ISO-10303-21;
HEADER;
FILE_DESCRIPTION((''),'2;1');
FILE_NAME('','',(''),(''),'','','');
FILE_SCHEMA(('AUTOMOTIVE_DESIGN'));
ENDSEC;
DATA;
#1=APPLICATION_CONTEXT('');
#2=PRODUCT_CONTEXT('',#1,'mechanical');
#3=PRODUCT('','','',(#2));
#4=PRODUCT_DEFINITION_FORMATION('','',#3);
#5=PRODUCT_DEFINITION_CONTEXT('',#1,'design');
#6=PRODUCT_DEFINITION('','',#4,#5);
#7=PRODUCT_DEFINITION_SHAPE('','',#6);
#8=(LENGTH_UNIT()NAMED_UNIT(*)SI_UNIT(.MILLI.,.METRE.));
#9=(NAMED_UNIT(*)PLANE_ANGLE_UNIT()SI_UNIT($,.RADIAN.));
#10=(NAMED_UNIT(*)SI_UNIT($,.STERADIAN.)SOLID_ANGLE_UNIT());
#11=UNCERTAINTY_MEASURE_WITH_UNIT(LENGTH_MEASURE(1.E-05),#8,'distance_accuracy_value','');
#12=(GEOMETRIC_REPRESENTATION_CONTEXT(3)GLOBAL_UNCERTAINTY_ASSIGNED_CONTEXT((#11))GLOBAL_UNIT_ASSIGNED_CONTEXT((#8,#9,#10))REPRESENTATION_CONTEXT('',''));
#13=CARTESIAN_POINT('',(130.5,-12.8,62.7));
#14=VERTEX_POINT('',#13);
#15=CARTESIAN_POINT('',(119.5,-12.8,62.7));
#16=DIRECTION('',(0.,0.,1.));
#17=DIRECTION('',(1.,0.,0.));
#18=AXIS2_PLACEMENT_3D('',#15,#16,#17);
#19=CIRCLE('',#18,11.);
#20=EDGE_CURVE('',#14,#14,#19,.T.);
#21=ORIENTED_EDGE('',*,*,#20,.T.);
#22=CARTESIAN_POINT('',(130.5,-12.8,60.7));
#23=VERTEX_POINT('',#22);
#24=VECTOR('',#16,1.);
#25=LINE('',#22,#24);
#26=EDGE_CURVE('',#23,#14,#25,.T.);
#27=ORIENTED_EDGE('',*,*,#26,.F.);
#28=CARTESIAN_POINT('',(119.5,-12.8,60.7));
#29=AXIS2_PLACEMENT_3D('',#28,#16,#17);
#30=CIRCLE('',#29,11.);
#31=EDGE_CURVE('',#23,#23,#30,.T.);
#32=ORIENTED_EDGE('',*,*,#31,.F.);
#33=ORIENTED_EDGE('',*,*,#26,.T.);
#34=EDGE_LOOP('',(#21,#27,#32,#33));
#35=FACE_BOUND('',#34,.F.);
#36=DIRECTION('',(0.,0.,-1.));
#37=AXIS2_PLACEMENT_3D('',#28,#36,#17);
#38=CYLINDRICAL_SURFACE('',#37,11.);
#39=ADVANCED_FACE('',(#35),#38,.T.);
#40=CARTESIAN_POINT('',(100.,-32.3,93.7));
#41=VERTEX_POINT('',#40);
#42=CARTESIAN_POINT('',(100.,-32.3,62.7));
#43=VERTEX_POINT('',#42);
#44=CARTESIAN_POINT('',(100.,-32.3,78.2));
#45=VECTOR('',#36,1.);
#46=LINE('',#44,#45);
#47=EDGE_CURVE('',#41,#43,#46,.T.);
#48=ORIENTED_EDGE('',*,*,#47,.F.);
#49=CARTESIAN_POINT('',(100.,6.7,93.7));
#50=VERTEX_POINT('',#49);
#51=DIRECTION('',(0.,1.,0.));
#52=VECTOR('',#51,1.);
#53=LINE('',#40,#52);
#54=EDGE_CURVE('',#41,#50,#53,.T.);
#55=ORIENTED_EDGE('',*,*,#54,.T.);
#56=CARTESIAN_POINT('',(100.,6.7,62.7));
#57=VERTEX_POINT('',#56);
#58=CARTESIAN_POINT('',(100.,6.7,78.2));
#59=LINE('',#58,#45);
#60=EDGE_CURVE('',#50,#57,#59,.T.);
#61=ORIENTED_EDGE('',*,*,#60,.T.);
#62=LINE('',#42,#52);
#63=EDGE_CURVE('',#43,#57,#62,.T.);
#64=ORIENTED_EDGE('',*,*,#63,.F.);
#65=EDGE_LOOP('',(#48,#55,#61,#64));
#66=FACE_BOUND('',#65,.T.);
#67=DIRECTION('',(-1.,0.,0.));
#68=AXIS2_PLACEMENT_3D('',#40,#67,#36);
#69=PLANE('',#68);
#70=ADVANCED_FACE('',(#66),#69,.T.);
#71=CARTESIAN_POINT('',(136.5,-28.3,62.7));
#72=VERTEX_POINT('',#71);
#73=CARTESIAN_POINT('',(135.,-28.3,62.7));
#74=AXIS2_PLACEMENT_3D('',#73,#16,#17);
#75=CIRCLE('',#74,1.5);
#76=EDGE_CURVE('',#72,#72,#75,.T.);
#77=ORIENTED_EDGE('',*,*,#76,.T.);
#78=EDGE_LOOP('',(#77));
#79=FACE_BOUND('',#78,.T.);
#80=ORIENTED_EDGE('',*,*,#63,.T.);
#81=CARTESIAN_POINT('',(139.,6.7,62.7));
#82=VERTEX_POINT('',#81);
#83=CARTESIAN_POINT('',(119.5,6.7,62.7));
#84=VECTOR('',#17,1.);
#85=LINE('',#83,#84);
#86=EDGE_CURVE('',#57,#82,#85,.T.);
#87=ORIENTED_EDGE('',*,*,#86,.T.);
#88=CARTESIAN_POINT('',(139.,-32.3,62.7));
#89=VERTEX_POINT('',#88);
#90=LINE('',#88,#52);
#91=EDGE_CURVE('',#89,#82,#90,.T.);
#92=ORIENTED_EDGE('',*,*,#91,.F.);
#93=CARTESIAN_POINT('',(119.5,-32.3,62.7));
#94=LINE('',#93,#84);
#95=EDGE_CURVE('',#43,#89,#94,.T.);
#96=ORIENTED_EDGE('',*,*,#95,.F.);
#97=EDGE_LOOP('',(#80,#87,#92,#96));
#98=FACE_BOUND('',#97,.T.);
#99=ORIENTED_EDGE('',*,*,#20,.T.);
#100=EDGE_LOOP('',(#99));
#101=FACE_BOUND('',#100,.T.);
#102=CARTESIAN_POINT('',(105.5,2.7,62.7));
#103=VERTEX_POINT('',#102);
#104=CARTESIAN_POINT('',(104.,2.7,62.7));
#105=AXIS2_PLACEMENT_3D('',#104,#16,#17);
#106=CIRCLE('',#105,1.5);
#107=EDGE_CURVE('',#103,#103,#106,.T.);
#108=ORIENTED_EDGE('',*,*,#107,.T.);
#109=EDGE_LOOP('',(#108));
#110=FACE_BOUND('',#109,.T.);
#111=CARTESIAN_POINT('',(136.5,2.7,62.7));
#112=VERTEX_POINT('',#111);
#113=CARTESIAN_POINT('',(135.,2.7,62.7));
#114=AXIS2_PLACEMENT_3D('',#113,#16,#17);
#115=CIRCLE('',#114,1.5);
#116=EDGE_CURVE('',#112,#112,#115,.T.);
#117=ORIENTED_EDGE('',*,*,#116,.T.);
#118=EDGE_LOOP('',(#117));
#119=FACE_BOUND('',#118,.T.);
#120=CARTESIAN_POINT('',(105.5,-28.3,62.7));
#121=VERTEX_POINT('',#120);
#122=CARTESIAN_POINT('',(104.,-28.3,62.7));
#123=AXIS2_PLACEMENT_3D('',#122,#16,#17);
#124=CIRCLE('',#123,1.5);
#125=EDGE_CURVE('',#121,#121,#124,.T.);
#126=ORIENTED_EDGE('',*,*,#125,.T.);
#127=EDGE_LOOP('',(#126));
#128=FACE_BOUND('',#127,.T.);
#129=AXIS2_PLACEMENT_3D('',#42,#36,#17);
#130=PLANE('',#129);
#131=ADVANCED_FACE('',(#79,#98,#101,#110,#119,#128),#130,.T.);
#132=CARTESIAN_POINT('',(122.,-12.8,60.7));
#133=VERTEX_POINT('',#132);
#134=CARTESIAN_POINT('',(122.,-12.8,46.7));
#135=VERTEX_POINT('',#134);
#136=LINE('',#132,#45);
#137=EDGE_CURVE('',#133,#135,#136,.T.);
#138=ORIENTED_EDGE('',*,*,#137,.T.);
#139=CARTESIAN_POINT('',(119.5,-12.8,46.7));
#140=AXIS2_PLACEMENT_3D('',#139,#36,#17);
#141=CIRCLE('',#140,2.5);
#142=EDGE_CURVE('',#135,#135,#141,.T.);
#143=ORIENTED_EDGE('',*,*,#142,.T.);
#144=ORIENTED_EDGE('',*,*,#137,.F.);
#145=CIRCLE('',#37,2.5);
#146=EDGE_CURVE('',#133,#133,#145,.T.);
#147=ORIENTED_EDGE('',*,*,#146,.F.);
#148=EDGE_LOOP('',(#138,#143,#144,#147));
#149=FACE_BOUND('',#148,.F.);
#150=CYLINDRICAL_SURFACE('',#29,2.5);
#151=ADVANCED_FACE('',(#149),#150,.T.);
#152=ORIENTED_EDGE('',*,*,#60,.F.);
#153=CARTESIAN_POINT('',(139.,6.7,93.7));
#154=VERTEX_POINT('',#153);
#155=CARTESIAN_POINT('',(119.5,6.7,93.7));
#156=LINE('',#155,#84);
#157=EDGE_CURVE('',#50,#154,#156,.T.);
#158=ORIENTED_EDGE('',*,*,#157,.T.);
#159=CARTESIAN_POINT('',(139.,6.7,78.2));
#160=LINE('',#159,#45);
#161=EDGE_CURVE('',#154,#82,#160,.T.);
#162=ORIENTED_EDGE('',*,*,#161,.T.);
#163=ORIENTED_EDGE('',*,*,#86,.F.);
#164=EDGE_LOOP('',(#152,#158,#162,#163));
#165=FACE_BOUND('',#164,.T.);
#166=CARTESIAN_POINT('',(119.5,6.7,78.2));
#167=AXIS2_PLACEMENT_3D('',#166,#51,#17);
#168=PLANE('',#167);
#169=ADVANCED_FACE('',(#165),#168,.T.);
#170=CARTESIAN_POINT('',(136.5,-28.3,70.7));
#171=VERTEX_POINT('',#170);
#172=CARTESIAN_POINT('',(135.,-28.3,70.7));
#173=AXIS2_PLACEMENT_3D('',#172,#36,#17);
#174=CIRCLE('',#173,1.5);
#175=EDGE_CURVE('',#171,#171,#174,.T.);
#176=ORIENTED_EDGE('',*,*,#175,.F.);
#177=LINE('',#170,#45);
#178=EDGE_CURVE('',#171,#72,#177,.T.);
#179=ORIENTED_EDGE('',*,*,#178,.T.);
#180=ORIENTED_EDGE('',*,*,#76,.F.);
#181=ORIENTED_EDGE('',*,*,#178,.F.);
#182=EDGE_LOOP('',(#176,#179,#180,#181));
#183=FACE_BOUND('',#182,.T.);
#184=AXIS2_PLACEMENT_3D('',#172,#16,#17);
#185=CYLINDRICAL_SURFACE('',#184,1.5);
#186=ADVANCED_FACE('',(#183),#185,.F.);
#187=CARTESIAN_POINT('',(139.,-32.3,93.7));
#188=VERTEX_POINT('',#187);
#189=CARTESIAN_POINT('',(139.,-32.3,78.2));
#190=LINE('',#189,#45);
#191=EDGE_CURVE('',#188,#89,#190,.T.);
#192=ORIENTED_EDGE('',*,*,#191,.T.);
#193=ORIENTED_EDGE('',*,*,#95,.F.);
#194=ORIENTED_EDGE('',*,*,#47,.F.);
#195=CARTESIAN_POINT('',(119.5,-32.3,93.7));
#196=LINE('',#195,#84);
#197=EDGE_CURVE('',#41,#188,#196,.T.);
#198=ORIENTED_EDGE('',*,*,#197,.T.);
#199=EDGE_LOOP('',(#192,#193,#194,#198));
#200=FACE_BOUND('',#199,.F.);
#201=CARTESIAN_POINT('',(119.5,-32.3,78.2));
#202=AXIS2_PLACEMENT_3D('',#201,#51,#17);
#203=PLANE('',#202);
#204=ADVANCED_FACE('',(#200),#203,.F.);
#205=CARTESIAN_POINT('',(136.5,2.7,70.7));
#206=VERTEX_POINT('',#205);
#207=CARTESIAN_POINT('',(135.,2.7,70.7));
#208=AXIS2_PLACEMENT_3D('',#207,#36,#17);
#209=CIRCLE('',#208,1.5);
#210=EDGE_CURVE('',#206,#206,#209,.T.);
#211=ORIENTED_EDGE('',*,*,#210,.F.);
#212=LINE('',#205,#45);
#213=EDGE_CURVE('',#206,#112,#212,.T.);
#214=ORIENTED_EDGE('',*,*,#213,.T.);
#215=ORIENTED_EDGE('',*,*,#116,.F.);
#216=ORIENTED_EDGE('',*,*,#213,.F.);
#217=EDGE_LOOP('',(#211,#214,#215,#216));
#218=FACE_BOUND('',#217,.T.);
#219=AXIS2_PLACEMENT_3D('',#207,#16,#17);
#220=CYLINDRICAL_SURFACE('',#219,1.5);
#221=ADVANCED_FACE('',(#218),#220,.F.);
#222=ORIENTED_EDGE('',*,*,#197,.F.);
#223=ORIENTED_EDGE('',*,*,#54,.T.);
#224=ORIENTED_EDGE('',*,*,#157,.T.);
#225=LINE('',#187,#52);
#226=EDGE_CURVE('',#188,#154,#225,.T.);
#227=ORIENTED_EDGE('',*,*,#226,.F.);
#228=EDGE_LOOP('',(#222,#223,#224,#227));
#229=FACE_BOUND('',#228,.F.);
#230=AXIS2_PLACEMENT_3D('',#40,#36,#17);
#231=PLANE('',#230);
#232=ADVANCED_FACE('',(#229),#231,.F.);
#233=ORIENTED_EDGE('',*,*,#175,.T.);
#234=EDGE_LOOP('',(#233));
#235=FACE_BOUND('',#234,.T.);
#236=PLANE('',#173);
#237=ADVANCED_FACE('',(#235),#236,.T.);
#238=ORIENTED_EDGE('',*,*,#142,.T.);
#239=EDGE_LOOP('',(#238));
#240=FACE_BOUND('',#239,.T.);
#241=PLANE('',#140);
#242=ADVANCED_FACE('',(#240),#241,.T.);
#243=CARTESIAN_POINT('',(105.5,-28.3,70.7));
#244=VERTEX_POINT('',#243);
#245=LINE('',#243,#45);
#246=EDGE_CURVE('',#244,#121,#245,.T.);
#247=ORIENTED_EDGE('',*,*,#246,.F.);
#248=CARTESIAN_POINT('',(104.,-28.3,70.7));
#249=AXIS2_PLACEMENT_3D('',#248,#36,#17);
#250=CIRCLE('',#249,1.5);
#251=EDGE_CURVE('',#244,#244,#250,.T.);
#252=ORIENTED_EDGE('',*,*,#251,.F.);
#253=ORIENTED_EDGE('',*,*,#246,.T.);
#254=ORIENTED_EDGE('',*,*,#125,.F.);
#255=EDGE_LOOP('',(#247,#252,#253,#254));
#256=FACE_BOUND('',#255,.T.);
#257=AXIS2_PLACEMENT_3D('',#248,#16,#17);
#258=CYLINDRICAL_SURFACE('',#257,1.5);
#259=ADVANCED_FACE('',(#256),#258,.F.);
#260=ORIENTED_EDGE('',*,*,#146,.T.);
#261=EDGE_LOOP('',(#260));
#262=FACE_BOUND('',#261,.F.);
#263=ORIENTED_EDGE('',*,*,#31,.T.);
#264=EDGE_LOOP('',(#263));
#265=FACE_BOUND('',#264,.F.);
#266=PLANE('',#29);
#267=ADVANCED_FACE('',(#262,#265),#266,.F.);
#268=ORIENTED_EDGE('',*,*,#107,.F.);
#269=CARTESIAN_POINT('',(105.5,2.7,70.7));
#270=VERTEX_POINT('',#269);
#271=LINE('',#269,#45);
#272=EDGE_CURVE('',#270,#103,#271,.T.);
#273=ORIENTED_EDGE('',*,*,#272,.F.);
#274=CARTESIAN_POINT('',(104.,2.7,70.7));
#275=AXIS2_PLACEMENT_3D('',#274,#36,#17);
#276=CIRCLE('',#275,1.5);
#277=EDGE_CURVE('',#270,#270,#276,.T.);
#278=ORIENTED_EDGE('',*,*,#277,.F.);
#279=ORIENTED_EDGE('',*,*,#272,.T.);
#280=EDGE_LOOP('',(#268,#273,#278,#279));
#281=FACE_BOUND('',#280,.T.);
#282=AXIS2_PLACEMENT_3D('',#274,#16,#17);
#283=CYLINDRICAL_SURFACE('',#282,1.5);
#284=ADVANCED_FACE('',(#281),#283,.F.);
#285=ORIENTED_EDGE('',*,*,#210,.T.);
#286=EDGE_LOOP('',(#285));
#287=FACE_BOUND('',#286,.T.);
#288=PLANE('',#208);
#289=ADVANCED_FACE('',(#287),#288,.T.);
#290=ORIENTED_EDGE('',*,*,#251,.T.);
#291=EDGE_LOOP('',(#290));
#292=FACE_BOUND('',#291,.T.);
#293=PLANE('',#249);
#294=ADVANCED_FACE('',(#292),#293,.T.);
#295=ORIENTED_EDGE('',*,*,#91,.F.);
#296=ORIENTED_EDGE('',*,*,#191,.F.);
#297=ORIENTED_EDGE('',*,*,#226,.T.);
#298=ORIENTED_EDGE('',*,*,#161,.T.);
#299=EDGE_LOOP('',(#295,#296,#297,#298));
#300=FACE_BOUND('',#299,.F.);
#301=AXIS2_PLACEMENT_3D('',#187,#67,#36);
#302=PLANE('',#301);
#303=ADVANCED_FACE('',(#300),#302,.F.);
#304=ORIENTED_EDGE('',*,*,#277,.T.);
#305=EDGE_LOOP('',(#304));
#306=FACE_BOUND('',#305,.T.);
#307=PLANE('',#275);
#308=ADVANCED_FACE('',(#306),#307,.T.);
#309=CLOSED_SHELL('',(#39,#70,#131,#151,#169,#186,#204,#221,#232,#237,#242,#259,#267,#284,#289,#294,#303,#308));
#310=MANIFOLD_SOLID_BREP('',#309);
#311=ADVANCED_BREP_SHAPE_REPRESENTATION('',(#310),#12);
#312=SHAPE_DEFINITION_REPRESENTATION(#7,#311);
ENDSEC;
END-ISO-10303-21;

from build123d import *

# Parameters (mm, degrees)
CYLINDER013_R             = 11
CYLINDER013_DEPTH         = 2
CYLINDER014_R             = 2.5
CYLINDER014_DEPTH         = 14
CYLINDER010_R             = 1.5
CYLINDER010_DEPTH         = 10
CYLINDER011_R             = 1.5
CYLINDER011_DEPTH         = 10
CYLINDER012_R             = 1.5
CYLINDER012_DEPTH         = 10
CYLINDER009_R             = 1.5
CYLINDER009_DEPTH         = 10
BOX001_W                  = 39
BOX001_H                  = 31
BOX001_DEPTH              = 39
FUSION001_PLACEMENT_ANGLE = 90


with BuildPart() as cylinder013:
    # Cylinder013 → Cylinder013 (new body)
    with BuildSketch(Plane(origin=(19.5, 33, 19.5), x_dir=(1, 0, 0), z_dir=(0, -1, 0))):
        Circle(CYLINDER013_R)
    extrude(amount=CYLINDER013_DEPTH)


with BuildPart() as cylinder014:
    # Cylinder014 → Cylinder014 (new body)
    with BuildSketch(Plane(origin=(19.5, 33, 19.5), x_dir=(1, 0, 0), z_dir=(0, 1, 0))):
        Circle(CYLINDER014_R)
    extrude(amount=CYLINDER014_DEPTH)


with BuildPart() as cylinder010:
    # Cylinder010 → Cylinder010 (new body)
    with BuildSketch(Plane(origin=(35, 23, 35), x_dir=(1, 0, 0), z_dir=(0, 1, 0))):
        Circle(CYLINDER010_R)
    extrude(amount=CYLINDER010_DEPTH)


with BuildPart() as cylinder011:
    # Cylinder011 → Cylinder011 (new body)
    with BuildSketch(Plane(origin=(35, 23, 4), x_dir=(1, 0, 0), z_dir=(0, 1, 0))):
        Circle(CYLINDER011_R)
    extrude(amount=CYLINDER011_DEPTH)


with BuildPart() as cylinder012:
    # Cylinder012 → Cylinder012 (new body)
    with BuildSketch(Plane(origin=(4, 23, 4), x_dir=(1, 0, 0), z_dir=(0, 1, 0))):
        Circle(CYLINDER012_R)
    extrude(amount=CYLINDER012_DEPTH)


with BuildPart() as cylinder009:
    # Cylinder009 → Cylinder009 (new body)
    with BuildSketch(Plane(origin=(4, 23, 35), x_dir=(1, 0, 0), z_dir=(0, 1, 0))):
        Circle(CYLINDER009_R)
    extrude(amount=CYLINDER009_DEPTH)


with BuildPart() as fusion001:
    # Box001 → Box001 (new body)
    with BuildSketch(Plane.XY):
        with Locations((19.5, 15.5)):
            Rectangle(BOX001_W, BOX001_H)
    extrude(amount=BOX001_DEPTH)

    # Cut005: cut Cylinder009
    add(cylinder009.part, mode=Mode.SUBTRACT)

    # Cut006: cut Cylinder012
    add(cylinder012.part, mode=Mode.SUBTRACT)

    # Cut007: cut Cylinder011
    add(cylinder011.part, mode=Mode.SUBTRACT)

    # Cut008: cut Cylinder010
    add(cylinder010.part, mode=Mode.SUBTRACT)

    # Fusion001: union Cylinder013, Cylinder014
    add(cylinder013.part)
    add(cylinder014.part)


with BuildPart() as fusion001_1:
    # Fusion001 placement: moved
    add(fusion001.part.moved(Location((100, -32.3, 93.7))).rotate(Axis((100, -32.3, 93.7), (-1, 0, 0)), FUSION001_PLACEMENT_ANGLE))


solid = fusion001_1.part
